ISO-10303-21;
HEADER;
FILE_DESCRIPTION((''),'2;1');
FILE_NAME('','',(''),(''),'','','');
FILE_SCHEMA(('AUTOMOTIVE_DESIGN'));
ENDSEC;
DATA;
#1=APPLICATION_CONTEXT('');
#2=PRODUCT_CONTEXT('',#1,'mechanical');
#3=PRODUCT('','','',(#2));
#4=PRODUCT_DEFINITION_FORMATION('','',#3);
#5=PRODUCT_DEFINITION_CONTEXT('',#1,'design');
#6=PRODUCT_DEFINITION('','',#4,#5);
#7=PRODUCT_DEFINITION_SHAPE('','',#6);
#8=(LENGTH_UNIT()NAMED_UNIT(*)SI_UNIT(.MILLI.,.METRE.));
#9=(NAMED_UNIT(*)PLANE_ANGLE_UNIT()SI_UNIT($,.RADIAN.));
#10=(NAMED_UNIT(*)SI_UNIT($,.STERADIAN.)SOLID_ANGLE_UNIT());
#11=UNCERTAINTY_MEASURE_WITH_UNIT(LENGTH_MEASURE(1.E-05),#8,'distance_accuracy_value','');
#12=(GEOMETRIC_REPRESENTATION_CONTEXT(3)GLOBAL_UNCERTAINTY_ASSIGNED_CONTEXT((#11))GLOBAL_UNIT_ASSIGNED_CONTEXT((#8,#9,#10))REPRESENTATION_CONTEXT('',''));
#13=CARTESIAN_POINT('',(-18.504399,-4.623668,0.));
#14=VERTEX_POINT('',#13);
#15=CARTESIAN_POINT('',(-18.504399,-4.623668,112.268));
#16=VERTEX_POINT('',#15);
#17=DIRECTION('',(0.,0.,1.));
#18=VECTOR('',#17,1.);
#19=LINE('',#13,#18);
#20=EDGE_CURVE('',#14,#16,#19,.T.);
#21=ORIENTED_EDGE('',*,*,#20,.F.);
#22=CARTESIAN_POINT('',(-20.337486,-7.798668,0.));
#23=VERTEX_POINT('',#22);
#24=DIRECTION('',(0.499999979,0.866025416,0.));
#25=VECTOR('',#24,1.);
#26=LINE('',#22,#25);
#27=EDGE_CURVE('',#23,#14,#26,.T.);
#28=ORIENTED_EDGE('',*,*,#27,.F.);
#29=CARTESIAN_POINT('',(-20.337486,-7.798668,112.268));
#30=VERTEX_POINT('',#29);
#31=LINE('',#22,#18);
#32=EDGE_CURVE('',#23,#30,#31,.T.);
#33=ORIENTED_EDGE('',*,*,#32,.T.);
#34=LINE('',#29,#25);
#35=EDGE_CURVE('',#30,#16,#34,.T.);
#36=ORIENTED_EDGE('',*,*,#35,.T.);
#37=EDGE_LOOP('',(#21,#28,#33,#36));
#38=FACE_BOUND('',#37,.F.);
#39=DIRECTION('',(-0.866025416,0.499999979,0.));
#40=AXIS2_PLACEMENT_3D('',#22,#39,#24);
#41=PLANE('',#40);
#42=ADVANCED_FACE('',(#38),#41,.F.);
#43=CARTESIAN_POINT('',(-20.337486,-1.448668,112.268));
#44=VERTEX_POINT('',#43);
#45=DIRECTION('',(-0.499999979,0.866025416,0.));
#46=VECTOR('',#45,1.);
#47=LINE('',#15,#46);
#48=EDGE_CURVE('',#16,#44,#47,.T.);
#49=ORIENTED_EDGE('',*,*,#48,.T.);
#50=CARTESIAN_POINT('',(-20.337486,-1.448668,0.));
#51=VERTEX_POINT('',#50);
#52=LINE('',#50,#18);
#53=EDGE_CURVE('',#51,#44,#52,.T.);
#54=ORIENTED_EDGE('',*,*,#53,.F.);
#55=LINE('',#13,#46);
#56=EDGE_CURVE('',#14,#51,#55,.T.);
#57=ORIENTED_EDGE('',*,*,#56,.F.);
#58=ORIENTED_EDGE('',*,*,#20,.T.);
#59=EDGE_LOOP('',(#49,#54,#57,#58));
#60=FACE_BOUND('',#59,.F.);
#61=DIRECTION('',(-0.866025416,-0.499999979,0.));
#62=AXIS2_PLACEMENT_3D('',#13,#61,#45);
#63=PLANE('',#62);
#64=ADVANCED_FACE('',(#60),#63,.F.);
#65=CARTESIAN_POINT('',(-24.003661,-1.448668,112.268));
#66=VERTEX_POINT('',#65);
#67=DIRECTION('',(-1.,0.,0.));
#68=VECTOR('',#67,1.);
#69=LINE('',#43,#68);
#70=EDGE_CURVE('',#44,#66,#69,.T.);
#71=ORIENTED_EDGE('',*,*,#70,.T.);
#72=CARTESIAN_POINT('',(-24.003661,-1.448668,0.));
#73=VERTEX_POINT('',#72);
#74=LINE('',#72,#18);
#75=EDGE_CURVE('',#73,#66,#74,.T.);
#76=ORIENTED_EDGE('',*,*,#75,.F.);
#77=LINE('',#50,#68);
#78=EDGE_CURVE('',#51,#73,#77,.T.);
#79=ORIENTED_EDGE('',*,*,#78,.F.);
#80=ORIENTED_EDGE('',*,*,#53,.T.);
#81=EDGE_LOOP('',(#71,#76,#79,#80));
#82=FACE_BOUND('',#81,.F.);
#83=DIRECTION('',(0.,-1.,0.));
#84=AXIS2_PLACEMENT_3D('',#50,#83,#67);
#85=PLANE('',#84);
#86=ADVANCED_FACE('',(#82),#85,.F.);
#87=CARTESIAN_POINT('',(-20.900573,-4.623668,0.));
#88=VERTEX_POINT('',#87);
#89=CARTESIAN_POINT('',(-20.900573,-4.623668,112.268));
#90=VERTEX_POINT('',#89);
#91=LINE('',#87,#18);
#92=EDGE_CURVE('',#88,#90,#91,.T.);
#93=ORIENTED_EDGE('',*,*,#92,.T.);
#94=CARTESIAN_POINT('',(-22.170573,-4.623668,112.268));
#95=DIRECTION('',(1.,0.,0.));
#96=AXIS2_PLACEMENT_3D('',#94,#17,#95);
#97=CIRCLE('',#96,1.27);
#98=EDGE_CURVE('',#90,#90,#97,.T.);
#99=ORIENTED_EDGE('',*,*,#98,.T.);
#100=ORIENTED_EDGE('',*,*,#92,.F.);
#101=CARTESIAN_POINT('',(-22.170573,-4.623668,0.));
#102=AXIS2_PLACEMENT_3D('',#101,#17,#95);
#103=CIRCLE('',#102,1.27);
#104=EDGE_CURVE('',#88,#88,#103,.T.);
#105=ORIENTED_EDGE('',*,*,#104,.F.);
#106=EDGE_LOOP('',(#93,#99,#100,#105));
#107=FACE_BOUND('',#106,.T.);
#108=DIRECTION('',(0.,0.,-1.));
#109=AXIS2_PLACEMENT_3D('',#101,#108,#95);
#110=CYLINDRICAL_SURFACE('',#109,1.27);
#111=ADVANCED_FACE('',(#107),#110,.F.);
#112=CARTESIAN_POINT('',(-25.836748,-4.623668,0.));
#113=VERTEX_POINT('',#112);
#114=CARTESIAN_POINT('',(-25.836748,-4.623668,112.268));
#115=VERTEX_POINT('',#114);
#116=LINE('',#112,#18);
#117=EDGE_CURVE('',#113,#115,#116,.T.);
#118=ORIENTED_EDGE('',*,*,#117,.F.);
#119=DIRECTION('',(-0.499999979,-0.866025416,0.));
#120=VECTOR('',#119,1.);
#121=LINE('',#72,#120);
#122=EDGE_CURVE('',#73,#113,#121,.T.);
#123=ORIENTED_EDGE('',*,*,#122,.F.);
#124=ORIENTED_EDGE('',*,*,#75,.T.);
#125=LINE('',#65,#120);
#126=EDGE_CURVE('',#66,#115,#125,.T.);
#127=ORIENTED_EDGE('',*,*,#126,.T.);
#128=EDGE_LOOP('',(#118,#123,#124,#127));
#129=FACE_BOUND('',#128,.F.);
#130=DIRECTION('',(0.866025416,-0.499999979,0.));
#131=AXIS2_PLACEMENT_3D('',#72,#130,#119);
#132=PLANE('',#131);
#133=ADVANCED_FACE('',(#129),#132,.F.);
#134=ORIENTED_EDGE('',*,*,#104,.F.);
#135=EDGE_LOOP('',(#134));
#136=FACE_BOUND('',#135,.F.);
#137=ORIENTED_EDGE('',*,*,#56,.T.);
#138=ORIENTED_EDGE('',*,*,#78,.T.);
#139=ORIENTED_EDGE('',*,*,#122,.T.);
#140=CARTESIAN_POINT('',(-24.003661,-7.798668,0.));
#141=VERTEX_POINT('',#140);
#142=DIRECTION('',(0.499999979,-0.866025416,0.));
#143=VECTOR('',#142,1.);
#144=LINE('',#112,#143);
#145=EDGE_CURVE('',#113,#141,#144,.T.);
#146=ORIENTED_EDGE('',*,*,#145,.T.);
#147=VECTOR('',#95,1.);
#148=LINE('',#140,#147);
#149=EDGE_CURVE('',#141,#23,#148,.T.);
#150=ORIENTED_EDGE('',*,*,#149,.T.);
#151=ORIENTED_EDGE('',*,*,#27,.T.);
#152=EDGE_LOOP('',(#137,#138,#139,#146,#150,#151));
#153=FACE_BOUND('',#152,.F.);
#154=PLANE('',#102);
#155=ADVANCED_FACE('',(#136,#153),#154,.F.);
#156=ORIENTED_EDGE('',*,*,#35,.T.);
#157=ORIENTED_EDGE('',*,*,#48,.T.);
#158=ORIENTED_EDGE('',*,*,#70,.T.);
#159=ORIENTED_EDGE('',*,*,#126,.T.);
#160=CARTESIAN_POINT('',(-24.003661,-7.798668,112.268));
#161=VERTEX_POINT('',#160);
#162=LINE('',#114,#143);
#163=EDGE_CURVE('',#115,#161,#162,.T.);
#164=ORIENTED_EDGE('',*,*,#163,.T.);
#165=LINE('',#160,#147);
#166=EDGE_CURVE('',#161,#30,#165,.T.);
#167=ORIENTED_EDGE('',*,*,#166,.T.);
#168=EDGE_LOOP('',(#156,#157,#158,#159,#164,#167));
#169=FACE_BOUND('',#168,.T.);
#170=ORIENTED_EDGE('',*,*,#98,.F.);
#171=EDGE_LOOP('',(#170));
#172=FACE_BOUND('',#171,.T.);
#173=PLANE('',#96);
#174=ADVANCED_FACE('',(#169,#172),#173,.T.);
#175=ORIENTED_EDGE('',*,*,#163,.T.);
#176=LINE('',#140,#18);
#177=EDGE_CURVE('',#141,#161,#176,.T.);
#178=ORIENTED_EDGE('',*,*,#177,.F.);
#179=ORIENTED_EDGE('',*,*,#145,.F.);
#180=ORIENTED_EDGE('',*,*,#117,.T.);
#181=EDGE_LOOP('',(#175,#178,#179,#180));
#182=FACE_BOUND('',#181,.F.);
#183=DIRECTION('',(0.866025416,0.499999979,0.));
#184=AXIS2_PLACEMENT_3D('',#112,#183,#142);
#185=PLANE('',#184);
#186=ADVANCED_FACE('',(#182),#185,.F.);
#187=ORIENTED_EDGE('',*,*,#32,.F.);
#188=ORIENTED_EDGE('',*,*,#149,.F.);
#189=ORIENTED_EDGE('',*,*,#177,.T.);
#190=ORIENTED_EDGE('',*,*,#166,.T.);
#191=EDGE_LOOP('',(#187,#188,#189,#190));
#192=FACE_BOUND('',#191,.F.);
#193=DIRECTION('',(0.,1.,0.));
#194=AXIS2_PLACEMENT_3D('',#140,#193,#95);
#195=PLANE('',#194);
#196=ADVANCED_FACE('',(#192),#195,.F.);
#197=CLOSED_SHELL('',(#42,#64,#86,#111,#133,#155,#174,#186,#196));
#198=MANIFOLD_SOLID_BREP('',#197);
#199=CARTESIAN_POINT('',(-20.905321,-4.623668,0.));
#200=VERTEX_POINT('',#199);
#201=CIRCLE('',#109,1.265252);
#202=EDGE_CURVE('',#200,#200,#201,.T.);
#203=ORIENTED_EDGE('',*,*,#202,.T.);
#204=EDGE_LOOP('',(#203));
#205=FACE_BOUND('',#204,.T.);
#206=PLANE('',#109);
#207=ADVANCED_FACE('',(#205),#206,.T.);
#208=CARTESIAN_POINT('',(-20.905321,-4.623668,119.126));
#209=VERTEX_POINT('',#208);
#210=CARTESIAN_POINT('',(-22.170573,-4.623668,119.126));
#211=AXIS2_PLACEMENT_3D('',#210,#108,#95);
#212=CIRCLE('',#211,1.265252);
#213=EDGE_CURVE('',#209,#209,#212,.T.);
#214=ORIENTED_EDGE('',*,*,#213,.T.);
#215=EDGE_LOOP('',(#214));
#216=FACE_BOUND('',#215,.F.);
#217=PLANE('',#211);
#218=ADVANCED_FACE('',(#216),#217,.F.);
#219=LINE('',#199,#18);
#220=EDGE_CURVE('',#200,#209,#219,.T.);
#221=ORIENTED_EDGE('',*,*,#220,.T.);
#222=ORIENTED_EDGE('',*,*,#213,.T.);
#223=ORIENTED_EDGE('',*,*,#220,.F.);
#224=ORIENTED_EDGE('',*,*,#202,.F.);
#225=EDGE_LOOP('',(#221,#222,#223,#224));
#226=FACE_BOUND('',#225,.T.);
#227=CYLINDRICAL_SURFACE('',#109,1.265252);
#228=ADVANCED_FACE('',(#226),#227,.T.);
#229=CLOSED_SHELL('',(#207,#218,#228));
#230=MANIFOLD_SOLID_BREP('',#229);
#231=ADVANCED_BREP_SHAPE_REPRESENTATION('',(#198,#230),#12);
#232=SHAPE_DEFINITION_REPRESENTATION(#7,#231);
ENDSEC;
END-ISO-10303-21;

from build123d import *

# Parameters (mm, degrees)
F0_R     = 1.27
F1_DEPTH = 112.268
F2_R     = 1.265252
F3_DEPTH = 119.126


with BuildPart() as f1:
    # F0 (on Top) → F1 (new body)
    with BuildSketch(Plane.XY):
        Polygon((-24.003661, -7.798668), (-20.337486, -7.798668), (-18.504399, -4.623668), (-20.337486, -1.448668), (-24.003661, -1.448668), (-25.836748, -4.623668), align=None)
        with Locations((-22.170573, -4.623668)):
            Circle(F0_R, mode=Mode.SUBTRACT)
    extrude(amount=F1_DEPTH)


with BuildPart() as f3:
    # F2 (on face) → F3 (new body)
    with BuildSketch(Plane(origin=(0, 0, 0), x_dir=(1, 0, 0), z_dir=(0, 0, -1))):
        with Locations((-22.170573, 4.623668)):
            Circle(F2_R)
    extrude(amount=-F3_DEPTH)


solid = Compound([f1.part, f3.part])
